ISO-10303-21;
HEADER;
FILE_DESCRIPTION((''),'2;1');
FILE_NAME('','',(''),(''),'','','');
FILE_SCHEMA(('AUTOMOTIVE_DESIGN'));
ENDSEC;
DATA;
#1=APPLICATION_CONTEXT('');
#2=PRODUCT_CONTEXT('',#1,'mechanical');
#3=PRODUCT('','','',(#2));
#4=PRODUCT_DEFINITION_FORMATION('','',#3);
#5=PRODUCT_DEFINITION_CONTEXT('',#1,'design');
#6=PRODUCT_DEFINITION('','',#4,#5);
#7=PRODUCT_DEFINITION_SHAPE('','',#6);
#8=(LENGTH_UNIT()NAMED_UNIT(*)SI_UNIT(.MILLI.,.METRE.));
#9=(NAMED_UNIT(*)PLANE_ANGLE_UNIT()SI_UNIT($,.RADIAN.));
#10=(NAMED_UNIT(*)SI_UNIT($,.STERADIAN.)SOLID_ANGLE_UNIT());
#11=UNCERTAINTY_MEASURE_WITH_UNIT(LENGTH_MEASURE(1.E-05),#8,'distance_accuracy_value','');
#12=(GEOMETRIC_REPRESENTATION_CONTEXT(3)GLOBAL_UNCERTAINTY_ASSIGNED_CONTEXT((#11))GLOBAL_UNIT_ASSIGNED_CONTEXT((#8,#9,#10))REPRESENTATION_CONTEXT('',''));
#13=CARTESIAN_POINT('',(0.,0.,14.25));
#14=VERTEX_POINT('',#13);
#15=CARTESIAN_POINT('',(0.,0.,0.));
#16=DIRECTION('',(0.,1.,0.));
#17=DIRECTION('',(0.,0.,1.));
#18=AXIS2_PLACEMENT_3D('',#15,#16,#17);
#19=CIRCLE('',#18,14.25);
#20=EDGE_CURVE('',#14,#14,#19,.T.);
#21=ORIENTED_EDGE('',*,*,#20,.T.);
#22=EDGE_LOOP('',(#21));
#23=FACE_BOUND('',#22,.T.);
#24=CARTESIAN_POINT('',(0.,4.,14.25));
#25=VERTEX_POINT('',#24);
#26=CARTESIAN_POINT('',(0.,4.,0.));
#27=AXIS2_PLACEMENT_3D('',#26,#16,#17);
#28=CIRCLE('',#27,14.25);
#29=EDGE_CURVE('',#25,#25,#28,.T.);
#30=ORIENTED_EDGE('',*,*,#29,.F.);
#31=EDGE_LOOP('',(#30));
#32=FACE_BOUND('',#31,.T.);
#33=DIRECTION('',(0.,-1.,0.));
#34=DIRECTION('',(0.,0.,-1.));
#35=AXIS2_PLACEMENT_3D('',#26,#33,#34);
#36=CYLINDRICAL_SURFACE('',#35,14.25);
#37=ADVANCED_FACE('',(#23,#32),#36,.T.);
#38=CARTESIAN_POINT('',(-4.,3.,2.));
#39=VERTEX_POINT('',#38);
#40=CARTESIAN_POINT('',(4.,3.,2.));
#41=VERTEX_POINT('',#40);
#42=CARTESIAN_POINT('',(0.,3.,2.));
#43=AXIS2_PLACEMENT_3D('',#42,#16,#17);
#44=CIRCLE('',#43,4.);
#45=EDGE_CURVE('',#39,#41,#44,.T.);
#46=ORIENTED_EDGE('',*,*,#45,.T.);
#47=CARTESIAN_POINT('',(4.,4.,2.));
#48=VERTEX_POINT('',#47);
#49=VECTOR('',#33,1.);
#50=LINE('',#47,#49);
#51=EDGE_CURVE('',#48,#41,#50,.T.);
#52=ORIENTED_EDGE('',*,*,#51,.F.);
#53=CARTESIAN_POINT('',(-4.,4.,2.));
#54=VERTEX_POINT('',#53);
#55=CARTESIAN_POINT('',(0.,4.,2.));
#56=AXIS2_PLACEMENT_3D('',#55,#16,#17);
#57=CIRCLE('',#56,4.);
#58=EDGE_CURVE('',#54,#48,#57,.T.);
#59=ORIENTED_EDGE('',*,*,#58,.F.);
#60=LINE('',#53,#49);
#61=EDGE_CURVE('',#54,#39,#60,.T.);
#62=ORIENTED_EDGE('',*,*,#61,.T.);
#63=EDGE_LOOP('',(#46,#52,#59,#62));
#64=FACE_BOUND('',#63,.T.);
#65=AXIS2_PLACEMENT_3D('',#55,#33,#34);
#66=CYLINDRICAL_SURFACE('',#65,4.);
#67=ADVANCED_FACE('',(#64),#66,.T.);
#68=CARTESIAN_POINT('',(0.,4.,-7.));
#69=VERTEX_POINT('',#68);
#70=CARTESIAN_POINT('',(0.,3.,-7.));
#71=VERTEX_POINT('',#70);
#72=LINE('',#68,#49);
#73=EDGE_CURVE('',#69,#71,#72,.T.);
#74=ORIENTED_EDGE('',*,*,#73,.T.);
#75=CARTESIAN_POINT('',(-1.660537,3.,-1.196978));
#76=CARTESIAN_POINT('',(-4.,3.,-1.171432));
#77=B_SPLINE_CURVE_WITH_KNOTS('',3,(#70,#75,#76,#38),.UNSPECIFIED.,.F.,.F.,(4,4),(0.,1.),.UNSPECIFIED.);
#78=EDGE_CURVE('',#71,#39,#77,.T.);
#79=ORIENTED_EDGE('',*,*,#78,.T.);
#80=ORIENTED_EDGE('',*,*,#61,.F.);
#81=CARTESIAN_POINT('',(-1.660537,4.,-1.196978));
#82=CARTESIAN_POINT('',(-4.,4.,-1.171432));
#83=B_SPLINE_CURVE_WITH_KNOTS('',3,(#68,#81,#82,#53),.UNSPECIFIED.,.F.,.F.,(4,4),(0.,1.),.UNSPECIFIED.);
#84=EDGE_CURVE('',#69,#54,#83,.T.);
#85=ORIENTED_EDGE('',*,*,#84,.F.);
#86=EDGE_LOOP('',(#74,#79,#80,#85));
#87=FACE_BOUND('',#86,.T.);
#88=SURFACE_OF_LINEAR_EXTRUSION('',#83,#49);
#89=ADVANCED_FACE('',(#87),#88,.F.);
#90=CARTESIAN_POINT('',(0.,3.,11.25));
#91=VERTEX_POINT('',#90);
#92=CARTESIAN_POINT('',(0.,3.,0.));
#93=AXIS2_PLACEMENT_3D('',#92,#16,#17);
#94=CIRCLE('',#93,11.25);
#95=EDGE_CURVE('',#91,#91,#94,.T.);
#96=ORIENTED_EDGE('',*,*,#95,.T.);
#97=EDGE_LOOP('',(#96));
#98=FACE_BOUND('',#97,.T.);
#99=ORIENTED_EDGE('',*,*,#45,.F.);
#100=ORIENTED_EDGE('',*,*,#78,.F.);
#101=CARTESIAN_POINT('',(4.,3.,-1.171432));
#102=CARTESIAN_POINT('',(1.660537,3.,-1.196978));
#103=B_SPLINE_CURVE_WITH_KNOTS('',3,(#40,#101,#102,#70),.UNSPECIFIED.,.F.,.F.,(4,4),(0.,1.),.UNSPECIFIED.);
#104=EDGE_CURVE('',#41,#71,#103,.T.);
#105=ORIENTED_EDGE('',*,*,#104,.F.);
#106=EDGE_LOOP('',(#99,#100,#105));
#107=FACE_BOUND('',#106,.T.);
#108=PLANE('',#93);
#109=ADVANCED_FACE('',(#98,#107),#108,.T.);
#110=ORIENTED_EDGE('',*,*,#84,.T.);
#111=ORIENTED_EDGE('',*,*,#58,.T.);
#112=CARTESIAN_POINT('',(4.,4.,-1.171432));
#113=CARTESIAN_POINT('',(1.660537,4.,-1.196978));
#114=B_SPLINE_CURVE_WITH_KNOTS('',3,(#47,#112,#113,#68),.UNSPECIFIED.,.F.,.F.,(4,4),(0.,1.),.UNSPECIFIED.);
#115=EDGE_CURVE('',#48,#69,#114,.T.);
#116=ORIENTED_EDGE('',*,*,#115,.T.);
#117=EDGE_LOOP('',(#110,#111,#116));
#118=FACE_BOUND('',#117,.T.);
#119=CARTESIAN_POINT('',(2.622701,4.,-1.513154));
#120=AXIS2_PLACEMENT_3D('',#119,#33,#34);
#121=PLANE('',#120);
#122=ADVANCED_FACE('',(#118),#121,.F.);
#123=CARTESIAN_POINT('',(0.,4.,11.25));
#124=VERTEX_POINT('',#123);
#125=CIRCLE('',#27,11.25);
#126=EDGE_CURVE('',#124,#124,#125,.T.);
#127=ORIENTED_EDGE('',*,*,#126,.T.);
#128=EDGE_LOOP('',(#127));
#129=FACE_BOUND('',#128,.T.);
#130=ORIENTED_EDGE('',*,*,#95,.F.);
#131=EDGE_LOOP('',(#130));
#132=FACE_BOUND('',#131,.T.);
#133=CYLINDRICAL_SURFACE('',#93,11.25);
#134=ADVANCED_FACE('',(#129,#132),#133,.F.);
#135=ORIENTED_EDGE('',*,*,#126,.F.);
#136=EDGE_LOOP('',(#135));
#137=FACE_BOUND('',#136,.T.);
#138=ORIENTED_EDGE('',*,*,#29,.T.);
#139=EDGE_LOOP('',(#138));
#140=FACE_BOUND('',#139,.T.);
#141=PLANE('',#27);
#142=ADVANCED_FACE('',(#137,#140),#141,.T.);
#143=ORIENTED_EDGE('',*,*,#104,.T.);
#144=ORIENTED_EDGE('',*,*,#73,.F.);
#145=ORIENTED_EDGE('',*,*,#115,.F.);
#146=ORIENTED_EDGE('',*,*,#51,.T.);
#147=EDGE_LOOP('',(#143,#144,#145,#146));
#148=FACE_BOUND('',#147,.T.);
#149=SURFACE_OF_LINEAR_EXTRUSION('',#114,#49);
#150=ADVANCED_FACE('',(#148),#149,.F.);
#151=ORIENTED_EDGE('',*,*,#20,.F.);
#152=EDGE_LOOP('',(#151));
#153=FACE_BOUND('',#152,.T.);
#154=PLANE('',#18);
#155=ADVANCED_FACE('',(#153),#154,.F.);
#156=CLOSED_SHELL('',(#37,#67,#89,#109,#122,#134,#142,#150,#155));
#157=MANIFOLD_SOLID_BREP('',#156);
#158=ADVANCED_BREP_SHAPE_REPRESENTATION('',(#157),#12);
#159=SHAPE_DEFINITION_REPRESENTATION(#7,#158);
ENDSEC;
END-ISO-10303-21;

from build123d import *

# Parameters (mm, degrees)
SKETCH_1_R          = 14.25
EXTRUDE_1_DEPTH     = 4
SKETCH_2_R          = 11.25
CUT_EXTRUDE_1_DEPTH = 1
EXTRUDE_2_DEPTH     = 1


with BuildPart() as part:
    # 草图1 → 凸台-拉伸1 (new body)
    with BuildSketch(Plane(origin=(0, 0, 0), x_dir=(1, 0, 0), z_dir=(0, 1, 0))):
        with Locations(Location((0, 0, 0), (0, 0, 270))):
            Circle(SKETCH_1_R)
    extrude(amount=EXTRUDE_1_DEPTH)

    # 草图2 → 切除-拉伸1 (cut)
    with BuildSketch(Plane(origin=(0, 4, 0), x_dir=(1, 0, 0), z_dir=(0, 1, 0))):
        with Locations(Location((0, 0, 0), (0, 0, 270))):
            Circle(SKETCH_2_R)
    extrude(amount=-CUT_EXTRUDE_1_DEPTH, mode=Mode.SUBTRACT)

    # 草图3 → 凸台-拉伸2 (add)
    with BuildSketch(Plane(origin=(0, 3, 0), x_dir=(1, 0, 0), z_dir=(0, 1, 0))):
        with BuildLine():
            ThreePointArc((-4, -2), (0, -6), (4, -2))
            add(Edge.make_bspline(
                [(4, -2), (4, 1.17143168), (1.660537063, 1.196977672), (0, 7)],
                knots=[0, 0, 0, 0, 1, 1, 1, 1], degree=3))
            add(Edge.make_bspline(
                [(-4, -2), (-4, 1.17143168), (-1.660537063, 1.196977672), (0, 7)],
                knots=[0, 0, 0, 0, 1, 1, 1, 1], degree=3))
        make_face()
    extrude(amount=EXTRUDE_2_DEPTH)


solid = part.part
